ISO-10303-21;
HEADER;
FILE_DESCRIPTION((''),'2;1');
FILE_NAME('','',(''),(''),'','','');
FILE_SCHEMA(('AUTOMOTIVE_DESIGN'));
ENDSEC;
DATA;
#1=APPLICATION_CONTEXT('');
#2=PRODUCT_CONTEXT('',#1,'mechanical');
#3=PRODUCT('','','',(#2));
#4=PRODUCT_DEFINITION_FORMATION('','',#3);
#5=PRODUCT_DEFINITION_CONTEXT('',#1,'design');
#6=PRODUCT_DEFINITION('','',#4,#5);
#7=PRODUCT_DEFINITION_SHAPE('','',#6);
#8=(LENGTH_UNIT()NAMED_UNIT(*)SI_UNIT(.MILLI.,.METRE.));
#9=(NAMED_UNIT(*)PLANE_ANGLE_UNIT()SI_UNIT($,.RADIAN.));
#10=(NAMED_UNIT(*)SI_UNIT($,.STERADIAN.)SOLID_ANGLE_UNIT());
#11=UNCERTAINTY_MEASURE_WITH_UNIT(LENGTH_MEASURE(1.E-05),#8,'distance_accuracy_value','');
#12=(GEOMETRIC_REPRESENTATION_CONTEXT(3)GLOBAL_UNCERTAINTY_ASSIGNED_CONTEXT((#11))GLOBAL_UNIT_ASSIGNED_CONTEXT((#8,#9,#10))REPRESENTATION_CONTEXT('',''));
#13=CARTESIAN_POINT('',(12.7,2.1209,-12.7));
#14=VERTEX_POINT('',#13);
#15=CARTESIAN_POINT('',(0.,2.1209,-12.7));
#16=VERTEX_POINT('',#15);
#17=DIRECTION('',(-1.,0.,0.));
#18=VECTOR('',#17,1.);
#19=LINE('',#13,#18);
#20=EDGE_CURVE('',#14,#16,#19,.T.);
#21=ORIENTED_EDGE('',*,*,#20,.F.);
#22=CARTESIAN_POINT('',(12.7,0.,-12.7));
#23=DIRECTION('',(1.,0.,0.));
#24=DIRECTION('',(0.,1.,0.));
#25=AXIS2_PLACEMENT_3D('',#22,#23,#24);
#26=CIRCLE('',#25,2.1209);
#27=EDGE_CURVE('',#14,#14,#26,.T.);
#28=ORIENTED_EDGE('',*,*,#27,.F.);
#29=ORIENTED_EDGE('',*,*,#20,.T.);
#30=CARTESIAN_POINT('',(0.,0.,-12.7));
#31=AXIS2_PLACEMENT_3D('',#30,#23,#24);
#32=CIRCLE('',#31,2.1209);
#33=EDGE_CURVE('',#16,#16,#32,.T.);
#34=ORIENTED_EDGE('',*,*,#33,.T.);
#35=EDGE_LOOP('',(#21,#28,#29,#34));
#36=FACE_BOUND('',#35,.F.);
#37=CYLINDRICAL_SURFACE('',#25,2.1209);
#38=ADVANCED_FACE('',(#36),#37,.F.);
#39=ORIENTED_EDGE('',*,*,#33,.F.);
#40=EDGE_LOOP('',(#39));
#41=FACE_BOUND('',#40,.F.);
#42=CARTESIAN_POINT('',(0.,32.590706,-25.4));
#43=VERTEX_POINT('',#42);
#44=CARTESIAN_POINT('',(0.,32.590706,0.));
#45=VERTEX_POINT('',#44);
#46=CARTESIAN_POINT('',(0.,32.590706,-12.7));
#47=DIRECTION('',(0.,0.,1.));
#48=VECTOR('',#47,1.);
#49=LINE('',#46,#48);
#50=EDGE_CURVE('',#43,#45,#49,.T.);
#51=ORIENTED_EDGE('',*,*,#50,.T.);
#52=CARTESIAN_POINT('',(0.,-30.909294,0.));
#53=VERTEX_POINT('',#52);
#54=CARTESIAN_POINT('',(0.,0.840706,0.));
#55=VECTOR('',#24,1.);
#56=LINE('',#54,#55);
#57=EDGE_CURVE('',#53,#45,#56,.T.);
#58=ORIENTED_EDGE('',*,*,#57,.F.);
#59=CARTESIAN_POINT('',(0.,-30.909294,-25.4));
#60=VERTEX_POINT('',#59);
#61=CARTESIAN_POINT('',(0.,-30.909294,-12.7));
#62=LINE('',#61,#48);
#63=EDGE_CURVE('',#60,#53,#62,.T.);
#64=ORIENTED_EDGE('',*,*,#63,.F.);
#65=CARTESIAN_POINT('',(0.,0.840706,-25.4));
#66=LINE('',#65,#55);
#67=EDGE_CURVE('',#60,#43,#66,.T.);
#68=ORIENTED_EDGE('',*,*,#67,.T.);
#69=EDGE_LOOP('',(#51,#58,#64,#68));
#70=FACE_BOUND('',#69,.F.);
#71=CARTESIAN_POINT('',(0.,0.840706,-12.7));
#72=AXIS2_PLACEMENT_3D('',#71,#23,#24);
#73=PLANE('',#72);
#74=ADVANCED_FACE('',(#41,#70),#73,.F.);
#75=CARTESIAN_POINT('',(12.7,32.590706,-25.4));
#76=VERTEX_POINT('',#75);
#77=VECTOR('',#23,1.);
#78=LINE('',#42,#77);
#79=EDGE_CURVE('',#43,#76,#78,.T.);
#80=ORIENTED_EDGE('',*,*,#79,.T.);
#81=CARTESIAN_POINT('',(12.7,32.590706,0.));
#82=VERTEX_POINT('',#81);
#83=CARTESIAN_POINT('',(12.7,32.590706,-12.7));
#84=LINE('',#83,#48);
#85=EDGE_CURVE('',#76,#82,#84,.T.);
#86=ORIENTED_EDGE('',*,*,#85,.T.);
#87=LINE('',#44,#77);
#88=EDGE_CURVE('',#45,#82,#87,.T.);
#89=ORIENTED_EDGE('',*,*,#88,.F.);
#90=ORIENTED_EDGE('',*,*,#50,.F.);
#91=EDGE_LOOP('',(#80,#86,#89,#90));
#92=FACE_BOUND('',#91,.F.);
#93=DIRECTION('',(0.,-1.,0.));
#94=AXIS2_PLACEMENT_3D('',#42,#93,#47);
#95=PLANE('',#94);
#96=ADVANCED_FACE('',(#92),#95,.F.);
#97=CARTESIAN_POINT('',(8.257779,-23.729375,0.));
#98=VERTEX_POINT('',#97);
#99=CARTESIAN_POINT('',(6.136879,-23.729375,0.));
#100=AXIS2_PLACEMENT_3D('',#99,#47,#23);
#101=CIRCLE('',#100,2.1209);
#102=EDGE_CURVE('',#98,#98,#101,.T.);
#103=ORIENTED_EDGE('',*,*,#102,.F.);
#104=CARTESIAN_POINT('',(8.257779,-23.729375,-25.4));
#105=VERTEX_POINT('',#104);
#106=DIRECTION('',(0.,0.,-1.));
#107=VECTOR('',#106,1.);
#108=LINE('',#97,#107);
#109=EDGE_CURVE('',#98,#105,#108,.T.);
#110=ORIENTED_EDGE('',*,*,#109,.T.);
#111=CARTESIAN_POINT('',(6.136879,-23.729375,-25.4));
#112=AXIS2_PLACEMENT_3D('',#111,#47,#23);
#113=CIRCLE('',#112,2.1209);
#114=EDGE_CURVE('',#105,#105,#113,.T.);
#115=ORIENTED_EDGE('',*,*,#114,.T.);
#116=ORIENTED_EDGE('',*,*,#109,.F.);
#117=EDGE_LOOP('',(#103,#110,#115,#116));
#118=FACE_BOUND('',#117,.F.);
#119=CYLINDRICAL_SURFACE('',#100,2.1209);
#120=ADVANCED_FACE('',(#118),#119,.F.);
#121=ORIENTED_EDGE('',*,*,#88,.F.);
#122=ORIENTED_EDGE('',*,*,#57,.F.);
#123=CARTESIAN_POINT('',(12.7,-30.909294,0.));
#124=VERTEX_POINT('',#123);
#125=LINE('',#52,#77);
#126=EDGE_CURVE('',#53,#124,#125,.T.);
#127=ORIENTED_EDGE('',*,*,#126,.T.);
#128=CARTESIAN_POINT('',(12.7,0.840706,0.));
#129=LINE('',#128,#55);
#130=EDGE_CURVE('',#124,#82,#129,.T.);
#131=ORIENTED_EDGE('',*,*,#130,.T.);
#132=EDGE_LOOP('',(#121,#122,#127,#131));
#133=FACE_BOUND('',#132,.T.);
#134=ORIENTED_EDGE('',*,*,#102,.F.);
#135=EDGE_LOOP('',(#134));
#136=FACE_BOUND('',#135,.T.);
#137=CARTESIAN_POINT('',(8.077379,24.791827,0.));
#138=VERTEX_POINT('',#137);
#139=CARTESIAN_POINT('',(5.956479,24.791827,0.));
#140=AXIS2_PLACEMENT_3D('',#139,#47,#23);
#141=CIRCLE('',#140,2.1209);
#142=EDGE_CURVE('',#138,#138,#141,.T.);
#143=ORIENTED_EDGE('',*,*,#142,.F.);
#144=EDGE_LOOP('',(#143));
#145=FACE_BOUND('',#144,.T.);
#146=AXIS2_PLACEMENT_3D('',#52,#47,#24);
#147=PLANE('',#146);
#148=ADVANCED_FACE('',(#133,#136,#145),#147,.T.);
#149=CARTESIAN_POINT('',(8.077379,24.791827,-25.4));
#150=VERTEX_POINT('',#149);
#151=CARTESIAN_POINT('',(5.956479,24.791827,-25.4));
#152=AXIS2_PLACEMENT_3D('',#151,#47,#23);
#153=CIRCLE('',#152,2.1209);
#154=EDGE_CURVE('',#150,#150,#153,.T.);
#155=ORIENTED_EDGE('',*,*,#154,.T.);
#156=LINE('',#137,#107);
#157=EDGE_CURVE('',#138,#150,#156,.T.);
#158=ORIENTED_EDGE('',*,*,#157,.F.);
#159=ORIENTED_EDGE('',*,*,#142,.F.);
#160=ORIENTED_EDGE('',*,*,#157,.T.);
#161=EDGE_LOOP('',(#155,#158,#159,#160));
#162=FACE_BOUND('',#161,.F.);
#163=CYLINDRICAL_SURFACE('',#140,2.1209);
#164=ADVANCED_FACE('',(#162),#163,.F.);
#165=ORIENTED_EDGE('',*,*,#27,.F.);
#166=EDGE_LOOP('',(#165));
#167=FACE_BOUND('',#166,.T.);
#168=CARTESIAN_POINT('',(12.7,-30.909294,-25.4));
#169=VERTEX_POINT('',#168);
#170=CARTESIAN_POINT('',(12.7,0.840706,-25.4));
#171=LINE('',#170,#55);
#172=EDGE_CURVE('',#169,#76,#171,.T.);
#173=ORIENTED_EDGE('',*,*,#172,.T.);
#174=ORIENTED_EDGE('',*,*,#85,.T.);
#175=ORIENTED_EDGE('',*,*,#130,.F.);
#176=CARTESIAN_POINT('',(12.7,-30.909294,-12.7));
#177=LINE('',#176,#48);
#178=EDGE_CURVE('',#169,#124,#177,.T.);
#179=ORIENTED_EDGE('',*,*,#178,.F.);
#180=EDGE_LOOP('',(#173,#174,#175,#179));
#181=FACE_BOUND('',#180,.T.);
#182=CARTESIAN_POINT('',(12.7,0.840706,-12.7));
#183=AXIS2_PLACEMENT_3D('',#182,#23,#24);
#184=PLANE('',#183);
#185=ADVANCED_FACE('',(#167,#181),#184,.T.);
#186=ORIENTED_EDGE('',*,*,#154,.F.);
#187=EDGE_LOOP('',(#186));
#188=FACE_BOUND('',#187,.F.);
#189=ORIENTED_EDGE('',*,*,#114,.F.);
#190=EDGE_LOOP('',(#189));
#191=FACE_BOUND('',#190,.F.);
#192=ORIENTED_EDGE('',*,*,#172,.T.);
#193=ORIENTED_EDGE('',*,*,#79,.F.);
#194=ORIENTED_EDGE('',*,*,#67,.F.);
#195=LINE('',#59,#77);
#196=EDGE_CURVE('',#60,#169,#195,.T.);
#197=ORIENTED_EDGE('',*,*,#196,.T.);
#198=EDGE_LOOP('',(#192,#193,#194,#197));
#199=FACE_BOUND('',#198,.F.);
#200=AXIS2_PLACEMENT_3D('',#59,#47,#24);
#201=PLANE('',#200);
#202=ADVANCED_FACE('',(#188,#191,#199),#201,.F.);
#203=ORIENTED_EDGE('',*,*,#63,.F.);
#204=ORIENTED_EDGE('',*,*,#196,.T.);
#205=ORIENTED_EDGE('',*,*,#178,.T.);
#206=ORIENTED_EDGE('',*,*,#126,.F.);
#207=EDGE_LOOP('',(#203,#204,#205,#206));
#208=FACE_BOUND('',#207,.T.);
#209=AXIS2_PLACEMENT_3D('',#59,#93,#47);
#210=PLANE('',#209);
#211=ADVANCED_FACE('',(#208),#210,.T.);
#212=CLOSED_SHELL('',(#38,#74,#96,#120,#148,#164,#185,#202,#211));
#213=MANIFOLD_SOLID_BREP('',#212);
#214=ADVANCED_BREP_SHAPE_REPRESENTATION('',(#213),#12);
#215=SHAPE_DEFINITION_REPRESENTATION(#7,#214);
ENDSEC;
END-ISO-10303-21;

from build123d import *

# Parameters (mm, degrees)
F0_W     = 63.5
F0_H     = 25.4
F1_DEPTH = 12.7
F2_R     = 2.1209
F3_DEPTH = 25.4
F4_R     = 2.1209
F5_DEPTH = 25.4
F6_R     = 2.1209
F7_DEPTH = 25.4


with BuildPart() as f1:
    # F0 (on Right) → F1 (new body)
    with BuildSketch(Plane.YZ):
        with Locations((0.840706, -12.7)):
            Rectangle(F0_W, F0_H)
    extrude(amount=F1_DEPTH)

    # F2 (on face) → F3 (cut)
    with BuildSketch(Plane.XY):
        with Locations((5.956479, 24.791827)):
            Circle(F2_R)
    extrude(amount=-F3_DEPTH, mode=Mode.SUBTRACT)

    # F4 (on face) → F5 (cut)
    with BuildSketch(Plane.XY):
        with Locations((6.136879, -23.729375)):
            Circle(F4_R)
    extrude(amount=-F5_DEPTH, mode=Mode.SUBTRACT)

    # F6 (on face) → F7 (cut)
    with BuildSketch(Plane.YZ.offset(12.7)):
        with Locations((0, -12.7)):
            Circle(F6_R)
    extrude(amount=-F7_DEPTH, mode=Mode.SUBTRACT)


solid = f1.part
